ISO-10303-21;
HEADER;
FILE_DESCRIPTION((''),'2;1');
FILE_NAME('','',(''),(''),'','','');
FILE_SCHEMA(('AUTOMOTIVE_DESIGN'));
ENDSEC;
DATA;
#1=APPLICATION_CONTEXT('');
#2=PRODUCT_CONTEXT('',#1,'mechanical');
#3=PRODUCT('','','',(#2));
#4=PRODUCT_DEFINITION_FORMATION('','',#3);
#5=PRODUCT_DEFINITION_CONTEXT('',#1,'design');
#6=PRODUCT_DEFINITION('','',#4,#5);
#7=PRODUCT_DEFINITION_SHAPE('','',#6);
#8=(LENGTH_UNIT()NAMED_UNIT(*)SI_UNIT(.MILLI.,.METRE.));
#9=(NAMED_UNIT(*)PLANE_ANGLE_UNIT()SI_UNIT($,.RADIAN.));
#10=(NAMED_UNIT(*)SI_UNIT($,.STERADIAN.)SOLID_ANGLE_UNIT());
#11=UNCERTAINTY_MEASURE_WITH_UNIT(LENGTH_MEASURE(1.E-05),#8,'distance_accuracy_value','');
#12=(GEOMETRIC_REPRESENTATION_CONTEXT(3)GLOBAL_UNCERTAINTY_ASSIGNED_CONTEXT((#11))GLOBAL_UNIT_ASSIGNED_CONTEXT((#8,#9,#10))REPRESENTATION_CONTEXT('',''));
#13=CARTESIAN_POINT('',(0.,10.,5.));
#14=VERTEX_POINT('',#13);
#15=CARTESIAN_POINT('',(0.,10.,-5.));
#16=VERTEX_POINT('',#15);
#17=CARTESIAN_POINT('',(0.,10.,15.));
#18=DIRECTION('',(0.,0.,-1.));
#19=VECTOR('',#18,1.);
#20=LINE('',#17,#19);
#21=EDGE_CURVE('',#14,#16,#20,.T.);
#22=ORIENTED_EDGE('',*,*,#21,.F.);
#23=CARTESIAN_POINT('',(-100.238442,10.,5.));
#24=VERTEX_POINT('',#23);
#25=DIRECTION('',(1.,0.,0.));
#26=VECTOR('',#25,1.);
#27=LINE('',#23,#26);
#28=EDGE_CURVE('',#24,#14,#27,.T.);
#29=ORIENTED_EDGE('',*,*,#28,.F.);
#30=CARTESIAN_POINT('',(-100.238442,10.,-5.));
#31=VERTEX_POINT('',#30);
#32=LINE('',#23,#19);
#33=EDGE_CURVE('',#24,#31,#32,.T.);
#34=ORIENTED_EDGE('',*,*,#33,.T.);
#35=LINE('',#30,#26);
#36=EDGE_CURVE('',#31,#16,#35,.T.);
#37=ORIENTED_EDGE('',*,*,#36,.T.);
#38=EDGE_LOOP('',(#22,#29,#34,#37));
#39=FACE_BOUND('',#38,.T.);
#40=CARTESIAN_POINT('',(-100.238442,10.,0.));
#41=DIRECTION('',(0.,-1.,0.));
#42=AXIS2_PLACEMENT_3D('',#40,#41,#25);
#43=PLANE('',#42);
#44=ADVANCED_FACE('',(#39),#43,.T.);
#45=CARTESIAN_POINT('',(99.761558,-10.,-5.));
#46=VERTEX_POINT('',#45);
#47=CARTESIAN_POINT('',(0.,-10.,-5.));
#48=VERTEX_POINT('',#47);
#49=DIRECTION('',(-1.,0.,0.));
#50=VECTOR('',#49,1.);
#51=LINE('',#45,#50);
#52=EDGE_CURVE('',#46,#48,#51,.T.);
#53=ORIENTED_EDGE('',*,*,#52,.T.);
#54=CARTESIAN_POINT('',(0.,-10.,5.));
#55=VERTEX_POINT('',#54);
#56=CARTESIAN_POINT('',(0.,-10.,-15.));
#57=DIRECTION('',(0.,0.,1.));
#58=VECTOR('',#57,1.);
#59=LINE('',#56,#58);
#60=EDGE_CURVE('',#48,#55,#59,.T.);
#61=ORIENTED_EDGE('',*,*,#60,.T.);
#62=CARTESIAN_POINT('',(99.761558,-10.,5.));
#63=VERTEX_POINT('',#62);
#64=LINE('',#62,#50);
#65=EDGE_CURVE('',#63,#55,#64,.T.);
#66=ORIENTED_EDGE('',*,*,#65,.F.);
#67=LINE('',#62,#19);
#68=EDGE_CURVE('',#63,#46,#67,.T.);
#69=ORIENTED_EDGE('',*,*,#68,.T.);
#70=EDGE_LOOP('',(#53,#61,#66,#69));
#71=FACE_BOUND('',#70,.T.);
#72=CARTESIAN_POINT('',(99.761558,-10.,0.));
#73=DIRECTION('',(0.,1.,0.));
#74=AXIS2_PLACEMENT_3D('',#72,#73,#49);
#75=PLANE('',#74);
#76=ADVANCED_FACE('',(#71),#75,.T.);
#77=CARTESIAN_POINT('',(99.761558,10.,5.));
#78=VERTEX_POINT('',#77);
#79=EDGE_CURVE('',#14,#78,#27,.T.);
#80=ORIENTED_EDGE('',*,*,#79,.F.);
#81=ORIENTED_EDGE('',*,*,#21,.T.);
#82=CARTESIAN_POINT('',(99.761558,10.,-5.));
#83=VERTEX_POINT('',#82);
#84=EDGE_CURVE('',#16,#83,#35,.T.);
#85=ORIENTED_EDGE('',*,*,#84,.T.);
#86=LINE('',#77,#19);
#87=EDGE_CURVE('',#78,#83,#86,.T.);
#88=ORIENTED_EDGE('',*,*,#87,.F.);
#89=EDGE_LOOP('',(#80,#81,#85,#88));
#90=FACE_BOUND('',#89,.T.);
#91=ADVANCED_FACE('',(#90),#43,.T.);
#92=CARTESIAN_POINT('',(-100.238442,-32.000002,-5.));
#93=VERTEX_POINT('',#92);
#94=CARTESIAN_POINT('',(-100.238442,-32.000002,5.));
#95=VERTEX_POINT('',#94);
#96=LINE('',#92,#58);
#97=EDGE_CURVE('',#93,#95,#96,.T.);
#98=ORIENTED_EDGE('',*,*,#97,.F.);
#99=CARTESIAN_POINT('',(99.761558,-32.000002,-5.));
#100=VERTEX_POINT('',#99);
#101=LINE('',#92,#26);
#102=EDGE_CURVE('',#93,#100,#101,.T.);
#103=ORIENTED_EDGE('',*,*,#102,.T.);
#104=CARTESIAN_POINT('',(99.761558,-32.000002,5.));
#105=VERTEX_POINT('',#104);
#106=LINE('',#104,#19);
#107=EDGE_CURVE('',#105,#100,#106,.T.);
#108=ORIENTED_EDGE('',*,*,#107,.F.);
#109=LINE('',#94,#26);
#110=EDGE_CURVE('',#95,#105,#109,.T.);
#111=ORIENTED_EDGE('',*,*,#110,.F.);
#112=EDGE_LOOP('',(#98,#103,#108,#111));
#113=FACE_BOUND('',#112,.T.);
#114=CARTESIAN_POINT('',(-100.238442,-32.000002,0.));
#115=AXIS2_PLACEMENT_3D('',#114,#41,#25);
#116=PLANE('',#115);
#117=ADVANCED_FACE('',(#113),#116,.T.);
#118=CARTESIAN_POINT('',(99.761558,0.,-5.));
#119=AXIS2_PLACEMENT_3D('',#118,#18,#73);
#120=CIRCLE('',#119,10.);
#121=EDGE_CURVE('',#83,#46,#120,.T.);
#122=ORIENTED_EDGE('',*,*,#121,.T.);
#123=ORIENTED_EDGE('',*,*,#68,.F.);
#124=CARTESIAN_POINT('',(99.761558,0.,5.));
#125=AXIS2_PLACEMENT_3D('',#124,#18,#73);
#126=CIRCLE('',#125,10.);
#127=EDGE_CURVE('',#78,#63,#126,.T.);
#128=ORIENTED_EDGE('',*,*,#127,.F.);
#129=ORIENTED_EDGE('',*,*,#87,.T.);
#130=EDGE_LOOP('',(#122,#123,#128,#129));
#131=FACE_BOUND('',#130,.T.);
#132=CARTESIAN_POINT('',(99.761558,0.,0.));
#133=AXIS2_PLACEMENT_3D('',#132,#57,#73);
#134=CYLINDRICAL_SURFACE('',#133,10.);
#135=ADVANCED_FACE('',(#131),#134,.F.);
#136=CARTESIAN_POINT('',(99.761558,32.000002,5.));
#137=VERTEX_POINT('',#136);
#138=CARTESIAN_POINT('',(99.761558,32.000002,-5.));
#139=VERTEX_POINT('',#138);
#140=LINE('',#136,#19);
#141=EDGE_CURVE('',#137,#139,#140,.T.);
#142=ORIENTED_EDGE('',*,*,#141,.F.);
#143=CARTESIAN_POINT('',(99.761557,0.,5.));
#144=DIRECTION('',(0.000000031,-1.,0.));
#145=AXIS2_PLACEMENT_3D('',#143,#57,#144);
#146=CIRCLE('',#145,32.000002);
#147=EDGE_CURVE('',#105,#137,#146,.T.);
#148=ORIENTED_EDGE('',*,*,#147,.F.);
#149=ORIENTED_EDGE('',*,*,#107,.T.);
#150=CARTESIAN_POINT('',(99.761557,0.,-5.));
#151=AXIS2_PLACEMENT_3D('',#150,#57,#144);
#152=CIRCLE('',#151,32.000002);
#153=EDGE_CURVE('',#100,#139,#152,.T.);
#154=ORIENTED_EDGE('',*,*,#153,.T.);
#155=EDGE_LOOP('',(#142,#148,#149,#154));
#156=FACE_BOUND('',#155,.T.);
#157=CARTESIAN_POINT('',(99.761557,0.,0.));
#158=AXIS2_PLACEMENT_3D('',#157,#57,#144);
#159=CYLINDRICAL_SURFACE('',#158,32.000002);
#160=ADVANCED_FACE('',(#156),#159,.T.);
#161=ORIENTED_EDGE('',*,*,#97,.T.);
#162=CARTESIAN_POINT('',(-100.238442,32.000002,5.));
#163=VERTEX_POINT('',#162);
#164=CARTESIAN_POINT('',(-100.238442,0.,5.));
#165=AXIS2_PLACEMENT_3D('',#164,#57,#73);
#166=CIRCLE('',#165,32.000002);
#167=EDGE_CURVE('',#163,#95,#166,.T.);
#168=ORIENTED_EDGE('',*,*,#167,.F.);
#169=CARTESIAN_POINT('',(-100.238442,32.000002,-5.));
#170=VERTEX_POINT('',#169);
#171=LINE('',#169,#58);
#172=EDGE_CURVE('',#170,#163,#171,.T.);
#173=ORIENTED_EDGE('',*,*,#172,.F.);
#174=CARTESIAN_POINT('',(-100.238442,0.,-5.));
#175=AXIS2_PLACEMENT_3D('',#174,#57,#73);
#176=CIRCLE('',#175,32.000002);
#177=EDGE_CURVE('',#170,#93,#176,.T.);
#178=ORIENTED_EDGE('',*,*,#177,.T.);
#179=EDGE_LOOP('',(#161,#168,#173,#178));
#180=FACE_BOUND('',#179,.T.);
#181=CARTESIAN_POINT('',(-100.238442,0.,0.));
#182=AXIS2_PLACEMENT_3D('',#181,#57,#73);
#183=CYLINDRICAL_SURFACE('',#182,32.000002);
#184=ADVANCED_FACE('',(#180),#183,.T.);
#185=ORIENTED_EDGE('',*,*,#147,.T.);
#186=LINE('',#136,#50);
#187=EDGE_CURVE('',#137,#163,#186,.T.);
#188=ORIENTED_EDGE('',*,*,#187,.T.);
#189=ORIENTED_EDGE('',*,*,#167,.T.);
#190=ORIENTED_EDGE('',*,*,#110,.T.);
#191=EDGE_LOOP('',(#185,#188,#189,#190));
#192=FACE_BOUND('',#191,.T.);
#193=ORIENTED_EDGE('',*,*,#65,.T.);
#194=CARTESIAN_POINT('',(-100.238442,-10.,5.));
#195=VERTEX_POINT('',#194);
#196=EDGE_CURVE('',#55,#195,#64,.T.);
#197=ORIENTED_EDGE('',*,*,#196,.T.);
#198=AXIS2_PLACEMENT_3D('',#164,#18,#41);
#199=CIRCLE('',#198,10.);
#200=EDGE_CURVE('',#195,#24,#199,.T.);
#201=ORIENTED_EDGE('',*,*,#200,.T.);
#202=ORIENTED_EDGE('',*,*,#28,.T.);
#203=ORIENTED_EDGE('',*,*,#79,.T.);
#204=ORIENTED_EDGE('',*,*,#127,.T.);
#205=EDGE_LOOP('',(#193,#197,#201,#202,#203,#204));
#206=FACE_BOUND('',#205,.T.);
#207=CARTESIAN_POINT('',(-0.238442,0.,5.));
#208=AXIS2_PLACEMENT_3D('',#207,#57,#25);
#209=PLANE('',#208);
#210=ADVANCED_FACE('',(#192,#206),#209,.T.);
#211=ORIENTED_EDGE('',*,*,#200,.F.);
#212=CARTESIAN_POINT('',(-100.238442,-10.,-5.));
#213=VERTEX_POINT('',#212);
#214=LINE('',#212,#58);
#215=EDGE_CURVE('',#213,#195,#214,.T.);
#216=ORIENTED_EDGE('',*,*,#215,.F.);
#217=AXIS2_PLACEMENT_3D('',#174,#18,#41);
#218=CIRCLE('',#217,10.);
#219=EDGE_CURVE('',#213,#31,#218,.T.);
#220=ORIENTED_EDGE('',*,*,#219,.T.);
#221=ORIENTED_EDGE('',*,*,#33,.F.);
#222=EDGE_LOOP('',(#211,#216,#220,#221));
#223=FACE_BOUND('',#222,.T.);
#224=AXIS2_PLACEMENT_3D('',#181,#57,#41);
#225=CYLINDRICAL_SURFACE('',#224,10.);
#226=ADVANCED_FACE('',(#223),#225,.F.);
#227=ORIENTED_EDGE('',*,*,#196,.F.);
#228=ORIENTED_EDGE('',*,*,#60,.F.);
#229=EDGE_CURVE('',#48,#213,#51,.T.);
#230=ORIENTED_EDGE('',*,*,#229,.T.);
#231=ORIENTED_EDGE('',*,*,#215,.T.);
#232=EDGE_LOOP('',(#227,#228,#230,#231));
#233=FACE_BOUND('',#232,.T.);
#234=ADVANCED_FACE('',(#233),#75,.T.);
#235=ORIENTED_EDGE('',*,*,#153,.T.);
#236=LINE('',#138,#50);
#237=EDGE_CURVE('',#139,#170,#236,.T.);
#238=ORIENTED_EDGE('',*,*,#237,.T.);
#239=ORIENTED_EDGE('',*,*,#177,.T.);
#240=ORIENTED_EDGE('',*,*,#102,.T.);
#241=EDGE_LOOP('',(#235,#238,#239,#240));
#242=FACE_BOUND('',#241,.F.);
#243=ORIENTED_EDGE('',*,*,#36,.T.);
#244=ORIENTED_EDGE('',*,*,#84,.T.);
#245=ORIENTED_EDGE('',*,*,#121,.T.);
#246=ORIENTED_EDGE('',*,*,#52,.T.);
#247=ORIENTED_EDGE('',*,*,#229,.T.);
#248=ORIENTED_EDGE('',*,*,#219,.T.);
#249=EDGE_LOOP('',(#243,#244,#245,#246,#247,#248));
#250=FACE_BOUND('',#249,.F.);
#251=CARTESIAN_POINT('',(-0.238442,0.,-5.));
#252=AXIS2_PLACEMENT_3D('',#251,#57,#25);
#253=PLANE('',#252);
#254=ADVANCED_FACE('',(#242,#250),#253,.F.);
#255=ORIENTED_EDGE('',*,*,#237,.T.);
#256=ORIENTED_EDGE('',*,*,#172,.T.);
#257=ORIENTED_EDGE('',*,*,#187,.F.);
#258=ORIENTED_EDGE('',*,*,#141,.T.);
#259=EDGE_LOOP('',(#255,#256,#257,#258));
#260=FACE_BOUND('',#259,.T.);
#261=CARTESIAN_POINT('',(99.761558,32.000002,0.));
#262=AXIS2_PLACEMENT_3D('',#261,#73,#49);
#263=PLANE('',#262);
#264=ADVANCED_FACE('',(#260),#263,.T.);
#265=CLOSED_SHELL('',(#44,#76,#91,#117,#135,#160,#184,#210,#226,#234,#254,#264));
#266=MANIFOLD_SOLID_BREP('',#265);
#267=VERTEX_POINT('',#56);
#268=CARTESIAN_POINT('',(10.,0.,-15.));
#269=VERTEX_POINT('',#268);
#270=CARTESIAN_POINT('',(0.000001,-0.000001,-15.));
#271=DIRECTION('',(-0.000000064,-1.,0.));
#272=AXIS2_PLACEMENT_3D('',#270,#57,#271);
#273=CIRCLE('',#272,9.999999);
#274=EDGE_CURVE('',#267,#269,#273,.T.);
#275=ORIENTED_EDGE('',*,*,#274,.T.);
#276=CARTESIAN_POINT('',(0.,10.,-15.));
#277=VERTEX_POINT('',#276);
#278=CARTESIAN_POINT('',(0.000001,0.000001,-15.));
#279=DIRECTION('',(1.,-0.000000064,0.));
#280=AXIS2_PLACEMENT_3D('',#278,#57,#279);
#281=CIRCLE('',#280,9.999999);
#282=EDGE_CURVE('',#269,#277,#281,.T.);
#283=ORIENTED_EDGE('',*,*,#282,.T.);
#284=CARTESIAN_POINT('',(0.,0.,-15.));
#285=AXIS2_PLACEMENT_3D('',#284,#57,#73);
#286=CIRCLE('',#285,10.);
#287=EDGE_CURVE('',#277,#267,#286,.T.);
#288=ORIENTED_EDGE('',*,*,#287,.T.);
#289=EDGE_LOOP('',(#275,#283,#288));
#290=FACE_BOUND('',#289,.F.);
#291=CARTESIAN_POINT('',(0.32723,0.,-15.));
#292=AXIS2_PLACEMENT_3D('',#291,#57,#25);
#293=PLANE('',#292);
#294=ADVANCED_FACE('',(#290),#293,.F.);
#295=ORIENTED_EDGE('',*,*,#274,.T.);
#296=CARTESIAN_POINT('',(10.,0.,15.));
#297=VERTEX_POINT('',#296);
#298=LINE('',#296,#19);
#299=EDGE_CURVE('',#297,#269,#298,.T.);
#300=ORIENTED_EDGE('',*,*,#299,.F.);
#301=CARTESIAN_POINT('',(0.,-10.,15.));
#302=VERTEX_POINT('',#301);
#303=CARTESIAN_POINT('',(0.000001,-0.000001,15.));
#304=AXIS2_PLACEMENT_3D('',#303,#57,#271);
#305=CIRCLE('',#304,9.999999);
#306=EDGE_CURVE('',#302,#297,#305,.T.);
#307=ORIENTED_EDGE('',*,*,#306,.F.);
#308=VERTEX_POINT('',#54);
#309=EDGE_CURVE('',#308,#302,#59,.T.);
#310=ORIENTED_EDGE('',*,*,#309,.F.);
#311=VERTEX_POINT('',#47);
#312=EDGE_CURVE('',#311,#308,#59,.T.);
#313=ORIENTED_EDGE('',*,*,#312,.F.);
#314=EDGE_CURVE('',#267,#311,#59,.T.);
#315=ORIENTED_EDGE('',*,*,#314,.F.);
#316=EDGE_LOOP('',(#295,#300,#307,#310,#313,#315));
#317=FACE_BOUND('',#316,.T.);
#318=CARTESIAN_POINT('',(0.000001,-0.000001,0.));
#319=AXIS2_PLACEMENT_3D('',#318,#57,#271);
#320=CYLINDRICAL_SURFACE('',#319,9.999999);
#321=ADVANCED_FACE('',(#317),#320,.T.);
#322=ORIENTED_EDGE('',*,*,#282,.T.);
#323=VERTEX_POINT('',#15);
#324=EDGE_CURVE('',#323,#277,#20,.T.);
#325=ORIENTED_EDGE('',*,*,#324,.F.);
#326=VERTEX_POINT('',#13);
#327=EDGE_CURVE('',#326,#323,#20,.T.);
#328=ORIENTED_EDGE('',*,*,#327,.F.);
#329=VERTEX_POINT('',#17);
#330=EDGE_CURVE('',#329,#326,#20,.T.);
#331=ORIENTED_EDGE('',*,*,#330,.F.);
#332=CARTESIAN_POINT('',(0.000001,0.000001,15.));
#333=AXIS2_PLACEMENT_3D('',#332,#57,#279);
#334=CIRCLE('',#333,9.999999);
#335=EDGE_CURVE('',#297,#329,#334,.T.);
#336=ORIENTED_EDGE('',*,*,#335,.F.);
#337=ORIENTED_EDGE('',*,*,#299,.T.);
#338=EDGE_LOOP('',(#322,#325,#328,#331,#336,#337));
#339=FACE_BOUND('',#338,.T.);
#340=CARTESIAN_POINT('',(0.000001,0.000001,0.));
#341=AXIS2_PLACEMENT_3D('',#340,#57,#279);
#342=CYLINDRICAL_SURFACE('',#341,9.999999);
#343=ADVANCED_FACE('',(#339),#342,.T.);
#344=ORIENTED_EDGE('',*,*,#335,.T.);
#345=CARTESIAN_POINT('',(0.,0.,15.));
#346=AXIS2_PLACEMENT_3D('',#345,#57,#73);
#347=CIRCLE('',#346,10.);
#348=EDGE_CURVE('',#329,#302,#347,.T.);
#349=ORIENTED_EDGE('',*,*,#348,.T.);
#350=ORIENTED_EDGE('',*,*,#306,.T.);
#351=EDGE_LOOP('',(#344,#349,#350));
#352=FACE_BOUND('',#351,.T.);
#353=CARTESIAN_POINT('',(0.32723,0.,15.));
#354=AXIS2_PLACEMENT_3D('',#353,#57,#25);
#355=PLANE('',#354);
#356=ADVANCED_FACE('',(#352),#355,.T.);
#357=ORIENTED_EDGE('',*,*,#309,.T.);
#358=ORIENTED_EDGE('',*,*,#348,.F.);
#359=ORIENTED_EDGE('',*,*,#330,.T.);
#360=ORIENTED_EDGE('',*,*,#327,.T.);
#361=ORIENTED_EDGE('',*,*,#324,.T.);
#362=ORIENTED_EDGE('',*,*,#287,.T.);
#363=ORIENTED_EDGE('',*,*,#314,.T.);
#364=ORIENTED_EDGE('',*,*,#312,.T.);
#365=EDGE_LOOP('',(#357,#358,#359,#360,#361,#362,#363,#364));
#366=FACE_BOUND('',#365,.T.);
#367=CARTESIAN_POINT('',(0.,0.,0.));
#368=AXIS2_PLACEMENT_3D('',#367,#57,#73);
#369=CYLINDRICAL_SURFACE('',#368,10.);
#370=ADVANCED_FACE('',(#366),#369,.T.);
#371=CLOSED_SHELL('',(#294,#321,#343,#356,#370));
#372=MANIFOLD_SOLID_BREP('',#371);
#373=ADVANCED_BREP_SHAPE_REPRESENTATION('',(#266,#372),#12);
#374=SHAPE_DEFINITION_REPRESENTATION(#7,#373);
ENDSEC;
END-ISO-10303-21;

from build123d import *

# Parameters (mm, degrees)
F1_DEPTH = 5
F2_DEPTH = 15


with BuildPart() as f1:
    # F0 (on Top) → F1 (new body, symmetric)
    with BuildSketch(Plane.XY):
        with BuildLine():
            Line((99.761558, 32.000002), (-100.238442, 32.000002))
            ThreePointArc((-100.238442, 32.000002), (-132.238444, 0), (-100.238442, -32.000002))
            Line((-100.238442, -32.000002), (99.761558, -32.000002))
            ThreePointArc((99.761558, -32.000002), (131.761559, 0), (99.761558, 32.000002))
        make_face()
        with BuildLine():
            Line((0, -10), (-100.238442, -10))
            ThreePointArc((-100.238442, -10), (-110.238442, 0), (-100.238442, 10))
            Line((-100.238442, 10), (0, 10))
            Line((0, 10), (99.761558, 10))
            ThreePointArc((99.761558, 10), (109.761558, 0), (99.761558, -10))
            Line((99.761558, -10), (0, -10))
        make_face(mode=Mode.SUBTRACT)
    extrude(amount=F1_DEPTH, both=True)

    # F0 (on Top) → F2 (join, symmetric)
    with BuildSketch(Plane.XY):
        with BuildLine():
            ThreePointArc((0, 10), (-10, 0), (0, -10))
            ThreePointArc((0, -10), (7.071068, -7.071068), (10, 0))
            ThreePointArc((10, 0), (7.071068, 7.071068), (0, 10))
        make_face()
    extrude(amount=F2_DEPTH, both=True)


solid = f1.part
